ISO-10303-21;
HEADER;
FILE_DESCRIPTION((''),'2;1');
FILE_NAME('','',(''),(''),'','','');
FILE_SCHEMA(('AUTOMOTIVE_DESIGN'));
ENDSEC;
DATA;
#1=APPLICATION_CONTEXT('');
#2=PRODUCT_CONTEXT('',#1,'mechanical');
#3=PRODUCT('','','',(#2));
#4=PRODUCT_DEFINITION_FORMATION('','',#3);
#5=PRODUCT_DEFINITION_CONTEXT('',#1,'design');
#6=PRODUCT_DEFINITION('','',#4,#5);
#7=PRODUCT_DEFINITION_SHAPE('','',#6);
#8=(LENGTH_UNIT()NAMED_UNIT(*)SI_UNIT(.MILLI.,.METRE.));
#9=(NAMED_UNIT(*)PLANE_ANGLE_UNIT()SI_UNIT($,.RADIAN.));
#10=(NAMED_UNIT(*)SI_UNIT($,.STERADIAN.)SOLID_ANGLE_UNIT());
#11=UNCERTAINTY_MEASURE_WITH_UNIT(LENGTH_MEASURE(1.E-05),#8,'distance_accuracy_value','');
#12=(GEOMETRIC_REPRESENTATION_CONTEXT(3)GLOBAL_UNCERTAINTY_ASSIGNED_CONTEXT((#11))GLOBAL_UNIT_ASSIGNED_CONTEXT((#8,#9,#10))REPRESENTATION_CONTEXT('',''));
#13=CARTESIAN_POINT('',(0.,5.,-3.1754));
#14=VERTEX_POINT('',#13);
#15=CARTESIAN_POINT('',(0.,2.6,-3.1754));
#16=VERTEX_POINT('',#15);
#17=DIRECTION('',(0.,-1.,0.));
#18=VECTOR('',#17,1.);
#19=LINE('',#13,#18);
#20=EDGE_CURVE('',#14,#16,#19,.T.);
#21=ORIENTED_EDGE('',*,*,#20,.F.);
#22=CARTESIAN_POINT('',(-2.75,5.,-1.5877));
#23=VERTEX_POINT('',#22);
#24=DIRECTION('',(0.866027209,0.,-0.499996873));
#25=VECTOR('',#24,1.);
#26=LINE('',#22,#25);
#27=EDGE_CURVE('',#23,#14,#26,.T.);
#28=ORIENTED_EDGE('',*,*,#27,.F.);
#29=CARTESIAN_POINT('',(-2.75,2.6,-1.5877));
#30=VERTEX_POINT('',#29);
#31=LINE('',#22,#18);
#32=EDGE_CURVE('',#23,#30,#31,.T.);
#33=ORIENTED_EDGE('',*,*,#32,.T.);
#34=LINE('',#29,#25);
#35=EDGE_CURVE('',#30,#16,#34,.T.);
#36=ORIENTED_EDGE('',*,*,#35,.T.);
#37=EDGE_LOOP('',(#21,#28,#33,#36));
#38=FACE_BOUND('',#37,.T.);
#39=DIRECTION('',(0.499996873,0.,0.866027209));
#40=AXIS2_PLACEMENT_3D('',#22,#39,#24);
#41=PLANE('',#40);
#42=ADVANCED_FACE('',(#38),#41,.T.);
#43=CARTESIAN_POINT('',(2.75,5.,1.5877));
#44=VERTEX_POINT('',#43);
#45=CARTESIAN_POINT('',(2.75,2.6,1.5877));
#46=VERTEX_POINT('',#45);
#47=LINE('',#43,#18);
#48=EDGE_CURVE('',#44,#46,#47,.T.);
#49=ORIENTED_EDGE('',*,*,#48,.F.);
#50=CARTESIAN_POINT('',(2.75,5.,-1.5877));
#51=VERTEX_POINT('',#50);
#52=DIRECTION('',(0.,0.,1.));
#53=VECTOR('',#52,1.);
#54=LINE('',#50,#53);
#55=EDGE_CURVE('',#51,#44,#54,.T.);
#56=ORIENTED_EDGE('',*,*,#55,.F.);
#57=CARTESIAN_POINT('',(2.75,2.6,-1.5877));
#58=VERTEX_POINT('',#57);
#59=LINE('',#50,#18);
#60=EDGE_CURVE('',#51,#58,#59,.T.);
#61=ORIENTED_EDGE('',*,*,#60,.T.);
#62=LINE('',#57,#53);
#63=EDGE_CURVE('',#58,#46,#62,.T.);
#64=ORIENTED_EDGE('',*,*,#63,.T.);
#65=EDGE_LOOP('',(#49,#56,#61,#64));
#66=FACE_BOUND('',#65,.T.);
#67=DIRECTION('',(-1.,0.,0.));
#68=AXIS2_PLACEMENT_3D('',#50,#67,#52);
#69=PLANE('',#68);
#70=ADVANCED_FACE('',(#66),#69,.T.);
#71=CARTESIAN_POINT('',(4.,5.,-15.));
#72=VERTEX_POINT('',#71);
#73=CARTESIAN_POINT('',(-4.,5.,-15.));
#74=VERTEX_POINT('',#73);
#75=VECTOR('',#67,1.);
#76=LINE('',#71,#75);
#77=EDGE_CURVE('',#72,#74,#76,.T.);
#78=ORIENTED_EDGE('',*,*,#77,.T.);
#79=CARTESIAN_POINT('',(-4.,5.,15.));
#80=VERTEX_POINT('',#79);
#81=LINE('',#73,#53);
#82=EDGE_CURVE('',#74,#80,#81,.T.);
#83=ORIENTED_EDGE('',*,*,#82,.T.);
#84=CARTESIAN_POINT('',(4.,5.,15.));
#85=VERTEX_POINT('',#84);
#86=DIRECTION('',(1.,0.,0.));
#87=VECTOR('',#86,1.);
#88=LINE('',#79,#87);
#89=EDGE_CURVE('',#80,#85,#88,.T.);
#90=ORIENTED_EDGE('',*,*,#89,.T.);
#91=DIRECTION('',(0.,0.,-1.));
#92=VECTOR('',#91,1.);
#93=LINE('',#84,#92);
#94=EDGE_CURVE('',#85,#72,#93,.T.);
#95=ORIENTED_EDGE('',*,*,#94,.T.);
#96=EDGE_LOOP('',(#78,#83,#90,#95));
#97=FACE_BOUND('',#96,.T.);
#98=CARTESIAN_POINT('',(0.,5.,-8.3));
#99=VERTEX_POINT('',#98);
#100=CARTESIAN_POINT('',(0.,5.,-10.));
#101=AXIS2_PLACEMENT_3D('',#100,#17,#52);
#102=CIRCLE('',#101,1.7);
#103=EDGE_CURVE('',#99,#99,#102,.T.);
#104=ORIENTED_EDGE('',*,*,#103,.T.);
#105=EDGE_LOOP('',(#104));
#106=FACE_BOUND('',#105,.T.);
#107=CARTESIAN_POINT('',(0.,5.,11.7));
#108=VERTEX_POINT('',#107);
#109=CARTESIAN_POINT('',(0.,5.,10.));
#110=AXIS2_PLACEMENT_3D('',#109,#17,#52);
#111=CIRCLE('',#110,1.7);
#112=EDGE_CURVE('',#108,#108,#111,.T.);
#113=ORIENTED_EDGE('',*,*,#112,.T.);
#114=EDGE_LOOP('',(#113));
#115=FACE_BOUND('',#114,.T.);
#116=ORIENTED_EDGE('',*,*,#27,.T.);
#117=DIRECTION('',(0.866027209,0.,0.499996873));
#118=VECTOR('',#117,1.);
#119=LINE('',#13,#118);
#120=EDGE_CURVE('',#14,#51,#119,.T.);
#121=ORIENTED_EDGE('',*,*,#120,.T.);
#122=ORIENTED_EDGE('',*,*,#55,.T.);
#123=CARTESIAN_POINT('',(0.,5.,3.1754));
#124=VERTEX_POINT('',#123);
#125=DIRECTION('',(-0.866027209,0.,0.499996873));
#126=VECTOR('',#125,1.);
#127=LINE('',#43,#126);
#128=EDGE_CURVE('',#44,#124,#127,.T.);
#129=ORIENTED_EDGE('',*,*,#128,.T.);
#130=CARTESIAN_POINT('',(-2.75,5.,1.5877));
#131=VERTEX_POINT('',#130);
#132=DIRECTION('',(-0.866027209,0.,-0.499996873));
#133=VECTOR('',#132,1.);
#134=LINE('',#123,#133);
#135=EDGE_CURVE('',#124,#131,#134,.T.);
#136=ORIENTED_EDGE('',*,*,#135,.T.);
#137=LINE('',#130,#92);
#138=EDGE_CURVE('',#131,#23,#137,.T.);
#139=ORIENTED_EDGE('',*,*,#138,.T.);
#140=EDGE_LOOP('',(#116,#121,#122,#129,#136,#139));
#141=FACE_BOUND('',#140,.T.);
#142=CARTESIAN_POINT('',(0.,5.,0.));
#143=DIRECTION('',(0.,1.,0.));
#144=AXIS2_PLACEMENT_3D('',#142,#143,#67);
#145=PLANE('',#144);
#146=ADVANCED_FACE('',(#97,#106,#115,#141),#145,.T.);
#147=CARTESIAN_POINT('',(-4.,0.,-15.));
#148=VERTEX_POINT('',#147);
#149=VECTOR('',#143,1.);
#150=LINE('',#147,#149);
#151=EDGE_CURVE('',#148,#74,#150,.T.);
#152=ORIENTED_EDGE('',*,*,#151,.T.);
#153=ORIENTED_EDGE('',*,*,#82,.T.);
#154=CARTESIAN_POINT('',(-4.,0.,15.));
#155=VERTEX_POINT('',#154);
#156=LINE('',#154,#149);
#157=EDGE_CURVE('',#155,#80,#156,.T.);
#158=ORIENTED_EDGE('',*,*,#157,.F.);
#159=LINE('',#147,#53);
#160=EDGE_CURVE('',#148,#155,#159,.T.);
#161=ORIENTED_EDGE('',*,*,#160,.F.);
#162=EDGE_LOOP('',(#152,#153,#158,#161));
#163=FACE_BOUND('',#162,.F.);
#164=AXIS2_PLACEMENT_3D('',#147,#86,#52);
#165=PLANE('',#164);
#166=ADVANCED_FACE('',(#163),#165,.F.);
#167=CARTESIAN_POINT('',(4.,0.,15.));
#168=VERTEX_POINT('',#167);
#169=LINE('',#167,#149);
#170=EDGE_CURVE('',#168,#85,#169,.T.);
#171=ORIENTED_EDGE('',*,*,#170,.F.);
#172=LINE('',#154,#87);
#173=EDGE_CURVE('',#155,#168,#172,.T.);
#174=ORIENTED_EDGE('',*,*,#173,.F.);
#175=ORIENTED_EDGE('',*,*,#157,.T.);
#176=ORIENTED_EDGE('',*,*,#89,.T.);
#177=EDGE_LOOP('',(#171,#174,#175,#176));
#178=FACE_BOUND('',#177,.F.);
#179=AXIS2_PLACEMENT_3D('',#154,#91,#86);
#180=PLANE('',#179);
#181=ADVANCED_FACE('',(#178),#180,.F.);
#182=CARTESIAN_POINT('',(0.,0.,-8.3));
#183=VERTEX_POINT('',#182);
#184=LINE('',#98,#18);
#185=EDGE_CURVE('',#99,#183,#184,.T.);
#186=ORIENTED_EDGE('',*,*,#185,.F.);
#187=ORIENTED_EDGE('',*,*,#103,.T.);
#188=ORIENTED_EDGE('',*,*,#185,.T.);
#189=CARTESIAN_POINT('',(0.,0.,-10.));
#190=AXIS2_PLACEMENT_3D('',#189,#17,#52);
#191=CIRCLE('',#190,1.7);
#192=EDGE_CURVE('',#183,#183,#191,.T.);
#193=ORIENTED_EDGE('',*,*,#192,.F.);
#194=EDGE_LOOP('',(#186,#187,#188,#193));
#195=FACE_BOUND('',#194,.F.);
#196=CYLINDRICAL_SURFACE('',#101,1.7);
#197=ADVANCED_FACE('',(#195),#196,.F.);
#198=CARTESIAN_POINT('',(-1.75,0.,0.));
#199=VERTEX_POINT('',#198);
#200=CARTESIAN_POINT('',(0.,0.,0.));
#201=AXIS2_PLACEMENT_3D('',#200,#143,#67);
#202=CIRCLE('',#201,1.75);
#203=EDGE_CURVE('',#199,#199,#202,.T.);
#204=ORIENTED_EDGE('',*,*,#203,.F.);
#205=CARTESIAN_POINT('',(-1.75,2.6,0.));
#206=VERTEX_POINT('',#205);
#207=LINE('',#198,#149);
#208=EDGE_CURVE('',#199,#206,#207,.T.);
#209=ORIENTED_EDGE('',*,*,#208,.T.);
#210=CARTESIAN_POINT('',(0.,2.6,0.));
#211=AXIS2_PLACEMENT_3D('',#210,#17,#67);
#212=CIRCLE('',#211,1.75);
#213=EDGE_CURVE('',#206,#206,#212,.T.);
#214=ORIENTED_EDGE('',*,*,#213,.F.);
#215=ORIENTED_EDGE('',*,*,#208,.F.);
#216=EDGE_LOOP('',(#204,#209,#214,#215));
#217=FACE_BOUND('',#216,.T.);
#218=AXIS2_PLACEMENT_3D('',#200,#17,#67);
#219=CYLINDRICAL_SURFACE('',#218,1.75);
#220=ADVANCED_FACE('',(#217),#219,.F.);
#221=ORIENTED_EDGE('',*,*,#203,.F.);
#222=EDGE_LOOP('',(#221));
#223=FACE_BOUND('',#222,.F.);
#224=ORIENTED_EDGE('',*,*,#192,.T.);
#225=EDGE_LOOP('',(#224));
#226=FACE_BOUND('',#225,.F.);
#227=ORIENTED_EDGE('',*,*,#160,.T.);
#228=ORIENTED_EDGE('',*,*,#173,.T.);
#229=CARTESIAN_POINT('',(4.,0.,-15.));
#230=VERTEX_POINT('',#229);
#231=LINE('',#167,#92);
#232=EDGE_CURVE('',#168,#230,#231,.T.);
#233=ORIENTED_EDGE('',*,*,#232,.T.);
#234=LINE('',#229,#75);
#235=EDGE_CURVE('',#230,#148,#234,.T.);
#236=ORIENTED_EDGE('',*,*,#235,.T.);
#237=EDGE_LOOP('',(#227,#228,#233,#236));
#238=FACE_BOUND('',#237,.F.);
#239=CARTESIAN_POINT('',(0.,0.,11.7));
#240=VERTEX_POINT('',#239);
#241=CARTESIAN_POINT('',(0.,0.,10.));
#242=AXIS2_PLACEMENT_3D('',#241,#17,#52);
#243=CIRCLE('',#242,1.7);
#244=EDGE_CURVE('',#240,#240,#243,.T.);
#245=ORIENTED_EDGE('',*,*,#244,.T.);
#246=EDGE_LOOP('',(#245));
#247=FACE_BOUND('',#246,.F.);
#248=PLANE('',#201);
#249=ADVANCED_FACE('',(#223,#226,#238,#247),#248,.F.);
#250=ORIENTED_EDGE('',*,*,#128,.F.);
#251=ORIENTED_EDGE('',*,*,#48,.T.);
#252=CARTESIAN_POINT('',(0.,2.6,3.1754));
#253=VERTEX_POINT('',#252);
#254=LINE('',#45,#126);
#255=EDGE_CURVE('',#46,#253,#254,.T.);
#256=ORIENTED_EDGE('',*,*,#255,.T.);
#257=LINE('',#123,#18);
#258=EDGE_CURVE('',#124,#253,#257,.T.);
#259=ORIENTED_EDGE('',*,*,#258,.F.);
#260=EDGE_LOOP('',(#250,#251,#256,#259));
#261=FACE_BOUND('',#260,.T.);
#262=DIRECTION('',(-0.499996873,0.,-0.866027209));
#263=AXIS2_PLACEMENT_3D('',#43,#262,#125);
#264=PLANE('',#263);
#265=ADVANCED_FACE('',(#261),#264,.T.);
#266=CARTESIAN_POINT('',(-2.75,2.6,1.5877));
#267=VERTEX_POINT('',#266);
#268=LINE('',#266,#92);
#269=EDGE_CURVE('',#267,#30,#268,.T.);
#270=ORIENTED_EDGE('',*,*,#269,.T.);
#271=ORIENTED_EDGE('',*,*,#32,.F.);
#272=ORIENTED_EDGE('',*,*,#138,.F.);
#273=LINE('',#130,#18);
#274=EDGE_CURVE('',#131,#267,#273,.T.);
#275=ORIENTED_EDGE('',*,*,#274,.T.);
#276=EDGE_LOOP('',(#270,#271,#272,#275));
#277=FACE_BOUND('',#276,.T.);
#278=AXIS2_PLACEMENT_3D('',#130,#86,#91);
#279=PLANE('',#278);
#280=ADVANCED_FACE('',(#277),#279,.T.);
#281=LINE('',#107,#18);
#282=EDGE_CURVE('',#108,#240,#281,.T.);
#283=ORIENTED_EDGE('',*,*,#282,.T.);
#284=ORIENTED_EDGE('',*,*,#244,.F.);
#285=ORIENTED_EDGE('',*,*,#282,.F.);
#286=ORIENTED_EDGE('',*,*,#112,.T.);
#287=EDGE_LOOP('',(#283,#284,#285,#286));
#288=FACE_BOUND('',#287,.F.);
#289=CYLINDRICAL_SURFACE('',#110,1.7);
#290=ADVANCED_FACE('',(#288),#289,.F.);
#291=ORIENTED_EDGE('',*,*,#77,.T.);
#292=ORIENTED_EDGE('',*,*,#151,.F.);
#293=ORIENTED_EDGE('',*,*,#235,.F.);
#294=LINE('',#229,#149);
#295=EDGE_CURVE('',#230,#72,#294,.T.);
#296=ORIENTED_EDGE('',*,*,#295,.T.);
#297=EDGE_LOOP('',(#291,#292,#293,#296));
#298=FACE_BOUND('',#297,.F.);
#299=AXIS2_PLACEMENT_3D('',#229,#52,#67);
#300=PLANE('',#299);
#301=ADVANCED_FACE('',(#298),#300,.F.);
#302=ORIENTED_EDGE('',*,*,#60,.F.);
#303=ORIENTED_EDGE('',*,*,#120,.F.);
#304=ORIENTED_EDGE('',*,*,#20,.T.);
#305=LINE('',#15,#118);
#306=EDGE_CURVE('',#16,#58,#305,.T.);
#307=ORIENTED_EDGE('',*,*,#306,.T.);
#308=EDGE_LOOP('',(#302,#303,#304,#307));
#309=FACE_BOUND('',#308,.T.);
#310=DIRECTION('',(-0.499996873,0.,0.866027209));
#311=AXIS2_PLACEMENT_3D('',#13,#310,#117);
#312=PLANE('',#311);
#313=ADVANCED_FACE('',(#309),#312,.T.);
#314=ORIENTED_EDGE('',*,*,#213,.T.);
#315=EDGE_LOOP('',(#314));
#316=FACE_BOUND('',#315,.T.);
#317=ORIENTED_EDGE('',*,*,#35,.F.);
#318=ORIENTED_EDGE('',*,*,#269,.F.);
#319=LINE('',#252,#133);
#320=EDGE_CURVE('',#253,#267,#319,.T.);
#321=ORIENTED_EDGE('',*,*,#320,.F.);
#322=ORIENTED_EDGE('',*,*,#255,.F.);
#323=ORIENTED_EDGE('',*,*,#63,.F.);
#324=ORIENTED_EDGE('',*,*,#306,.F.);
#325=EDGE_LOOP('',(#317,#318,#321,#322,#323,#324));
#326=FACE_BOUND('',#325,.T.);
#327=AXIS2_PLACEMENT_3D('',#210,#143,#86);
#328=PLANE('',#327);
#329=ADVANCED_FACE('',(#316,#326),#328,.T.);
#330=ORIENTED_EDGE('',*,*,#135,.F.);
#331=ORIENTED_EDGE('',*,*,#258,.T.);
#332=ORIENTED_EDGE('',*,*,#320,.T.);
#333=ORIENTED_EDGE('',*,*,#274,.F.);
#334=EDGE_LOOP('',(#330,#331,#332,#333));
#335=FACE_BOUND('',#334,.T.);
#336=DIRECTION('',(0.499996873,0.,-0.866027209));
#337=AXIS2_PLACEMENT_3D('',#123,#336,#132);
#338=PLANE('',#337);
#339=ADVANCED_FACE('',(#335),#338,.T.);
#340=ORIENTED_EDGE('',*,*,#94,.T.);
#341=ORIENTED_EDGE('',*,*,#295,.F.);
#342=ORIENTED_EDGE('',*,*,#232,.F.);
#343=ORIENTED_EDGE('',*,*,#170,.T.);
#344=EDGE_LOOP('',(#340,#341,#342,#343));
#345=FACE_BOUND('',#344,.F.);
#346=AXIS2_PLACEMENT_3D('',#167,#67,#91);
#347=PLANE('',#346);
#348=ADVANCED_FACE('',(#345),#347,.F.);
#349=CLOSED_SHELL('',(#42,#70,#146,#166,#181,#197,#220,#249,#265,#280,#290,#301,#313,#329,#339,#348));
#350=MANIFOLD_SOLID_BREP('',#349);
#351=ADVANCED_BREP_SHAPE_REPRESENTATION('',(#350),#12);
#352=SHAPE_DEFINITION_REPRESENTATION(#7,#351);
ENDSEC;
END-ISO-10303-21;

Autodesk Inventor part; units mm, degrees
ref_plane "YZ Plane" through (0, 0, 0) normal (1, 0, 0) x (0, 1, 0)
ref_plane "XZ Plane" through (0, 0, 0) normal (0, 1, 0) x (-1, 0, 0)
ref_plane "XY Plane" through (0, 0, 0) normal (0, 0, 1) x (1, 0, 0)
sketch "Sketch1" plane through (0, 0, 0) normal (0, 1, 0) x (-1, 0, 0)
  line L0 (-4, -15) -> (4, -15)
  line L1 (4, -15) -> (4, 15)
  line L2 (4, 15) -> (-4, 15)
  line L3 (-4, 15) -> (-4, -15)
  line L4 (-4, -15) -> (4, 15) construction
  line L5 (4, -15) -> (-4, 15) construction
  circle A0 centre (0, 0) radius 1.75
  dimension "d0" = 8
  dimension "d1" = 30
  dimension "d2" = 3.5
extrude "Extrusion1" add sketch "Sketch1" along normal blind 5
sketch "Sketch2" plane through (0, 5, 0) normal (0, 1, 0) x (1, 0, 0)
  circle A0 centre (0, 0) radius 1.75 projected
  circle A1 centre (0, 0) radius 2.75 construction
  line L0 (-2.75, 1.5877) -> (0, 3.1754)
  line L1 (0, 3.1754) -> (2.75, 1.5877)
  line L2 (2.75, 1.5877) -> (2.75, -1.5877)
  line L3 (2.75, -1.5877) -> (0, -3.1754)
  line L4 (0, -3.1754) -> (-2.75, -1.5877)
  line L5 (-2.75, -1.5877) -> (-2.75, 1.5877)
  point P0 (-2.75, 0)
  dimension "d5" = 5.5
extrude "Extrusion2" cut sketch "Sketch2" against normal blind 2.4 contours A0 | L0 L1 L2 L3 L4 L5
sketch "Sketch3" plane through (0, 5, 0) normal (0, 1, 0) x (1, 0, 0)
  line L0 (-4, -15) -> (4, -15) projected
  line L1 (0, -15) -> (0, 15) construction
  line L2 (4, 15) -> (-4, 15) projected
  point P0 (0, 0)
  point P1 (0, -10)
  point P2 (0, 10)
  dimension "d8" = 5
  dimension "d9" = 5
hole "Hole1" at (0, 5, 10) at (0, 5, -10) direction (0, -1, 0) diameter 3.4 end through all clearance for "Countersunk Flat Head Screw ISO 2009/7046" size "M3" standard "ISO"
properties part number "turning clip bottom"
